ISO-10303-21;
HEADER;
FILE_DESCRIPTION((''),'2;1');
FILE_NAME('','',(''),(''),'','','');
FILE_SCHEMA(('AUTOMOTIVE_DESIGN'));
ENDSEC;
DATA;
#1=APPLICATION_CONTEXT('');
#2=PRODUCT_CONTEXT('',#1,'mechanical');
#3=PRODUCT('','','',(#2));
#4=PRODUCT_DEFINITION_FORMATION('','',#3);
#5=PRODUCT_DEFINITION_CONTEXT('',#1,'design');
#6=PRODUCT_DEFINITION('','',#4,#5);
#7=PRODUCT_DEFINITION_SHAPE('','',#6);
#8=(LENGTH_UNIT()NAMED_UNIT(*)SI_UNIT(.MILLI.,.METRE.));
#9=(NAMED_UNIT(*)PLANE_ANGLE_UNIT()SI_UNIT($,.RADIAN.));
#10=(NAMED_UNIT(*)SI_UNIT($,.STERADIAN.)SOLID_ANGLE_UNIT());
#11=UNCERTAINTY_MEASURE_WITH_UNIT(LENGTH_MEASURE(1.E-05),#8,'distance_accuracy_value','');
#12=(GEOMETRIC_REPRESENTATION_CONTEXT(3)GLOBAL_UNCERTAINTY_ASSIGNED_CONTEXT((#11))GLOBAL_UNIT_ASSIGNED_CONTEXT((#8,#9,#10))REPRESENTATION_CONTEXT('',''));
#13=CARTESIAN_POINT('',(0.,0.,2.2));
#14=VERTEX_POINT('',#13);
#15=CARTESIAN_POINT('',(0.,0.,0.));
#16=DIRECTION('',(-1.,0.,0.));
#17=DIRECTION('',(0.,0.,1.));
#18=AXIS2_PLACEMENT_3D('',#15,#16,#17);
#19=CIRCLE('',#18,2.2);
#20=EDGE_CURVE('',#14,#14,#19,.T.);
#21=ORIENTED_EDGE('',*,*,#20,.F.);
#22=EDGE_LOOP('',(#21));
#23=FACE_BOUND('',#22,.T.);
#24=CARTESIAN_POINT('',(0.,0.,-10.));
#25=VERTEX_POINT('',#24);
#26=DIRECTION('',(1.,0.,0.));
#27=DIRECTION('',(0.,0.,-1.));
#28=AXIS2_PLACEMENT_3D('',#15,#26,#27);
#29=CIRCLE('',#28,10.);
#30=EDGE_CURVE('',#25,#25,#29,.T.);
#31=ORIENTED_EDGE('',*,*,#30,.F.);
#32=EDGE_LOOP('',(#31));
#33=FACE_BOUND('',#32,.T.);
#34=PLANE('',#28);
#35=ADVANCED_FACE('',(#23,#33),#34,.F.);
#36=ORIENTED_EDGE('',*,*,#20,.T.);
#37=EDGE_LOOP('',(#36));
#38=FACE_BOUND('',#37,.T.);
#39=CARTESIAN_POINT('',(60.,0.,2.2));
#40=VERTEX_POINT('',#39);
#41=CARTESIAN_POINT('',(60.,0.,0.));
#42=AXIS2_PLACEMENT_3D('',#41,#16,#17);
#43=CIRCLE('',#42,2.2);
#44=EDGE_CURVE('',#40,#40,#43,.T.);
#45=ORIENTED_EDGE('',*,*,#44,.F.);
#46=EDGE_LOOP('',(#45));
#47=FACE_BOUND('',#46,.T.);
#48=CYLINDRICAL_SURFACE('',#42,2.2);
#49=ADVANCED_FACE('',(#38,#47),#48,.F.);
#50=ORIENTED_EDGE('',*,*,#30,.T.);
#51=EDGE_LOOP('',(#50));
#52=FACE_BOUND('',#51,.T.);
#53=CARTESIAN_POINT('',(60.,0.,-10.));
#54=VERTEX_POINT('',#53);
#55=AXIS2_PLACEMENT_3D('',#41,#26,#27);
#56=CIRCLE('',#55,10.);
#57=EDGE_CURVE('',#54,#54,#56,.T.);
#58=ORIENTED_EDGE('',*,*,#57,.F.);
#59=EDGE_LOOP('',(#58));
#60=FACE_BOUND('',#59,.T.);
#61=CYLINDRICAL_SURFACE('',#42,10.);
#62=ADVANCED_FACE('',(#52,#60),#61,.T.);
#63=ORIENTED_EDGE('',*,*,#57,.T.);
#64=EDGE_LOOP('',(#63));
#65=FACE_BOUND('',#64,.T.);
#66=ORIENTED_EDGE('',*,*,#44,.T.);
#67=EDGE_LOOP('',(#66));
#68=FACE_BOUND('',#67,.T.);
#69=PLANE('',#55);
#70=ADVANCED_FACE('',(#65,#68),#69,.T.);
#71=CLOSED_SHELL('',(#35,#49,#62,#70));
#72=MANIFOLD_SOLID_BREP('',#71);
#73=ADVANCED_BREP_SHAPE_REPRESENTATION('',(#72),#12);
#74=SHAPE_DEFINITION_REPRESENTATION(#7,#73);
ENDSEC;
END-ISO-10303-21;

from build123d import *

# Parameters (mm, degrees)
ESQUISSE1_R             = 10
BOSS_EXTRU_1_DEPTH      = 60
ESQUISSE2_R             = 2.2
ENL_V_MAT_EXTRU_1_DEPTH = 60


with BuildPart() as part:
    # Esquisse1 → Boss.-Extru.1 (new body)
    with BuildSketch(Plane(origin=(0, 0, 0), x_dir=(0, 0, -1), z_dir=(1, 0, 0))):
        Circle(ESQUISSE1_R)
    extrude(amount=BOSS_EXTRU_1_DEPTH)

    # Esquisse2 → Enlèv. mat.-Extru.1 (cut)
    with BuildSketch(Plane.ZY):
        Circle(ESQUISSE2_R)
    extrude(amount=-ENL_V_MAT_EXTRU_1_DEPTH, mode=Mode.SUBTRACT)


solid = part.part
